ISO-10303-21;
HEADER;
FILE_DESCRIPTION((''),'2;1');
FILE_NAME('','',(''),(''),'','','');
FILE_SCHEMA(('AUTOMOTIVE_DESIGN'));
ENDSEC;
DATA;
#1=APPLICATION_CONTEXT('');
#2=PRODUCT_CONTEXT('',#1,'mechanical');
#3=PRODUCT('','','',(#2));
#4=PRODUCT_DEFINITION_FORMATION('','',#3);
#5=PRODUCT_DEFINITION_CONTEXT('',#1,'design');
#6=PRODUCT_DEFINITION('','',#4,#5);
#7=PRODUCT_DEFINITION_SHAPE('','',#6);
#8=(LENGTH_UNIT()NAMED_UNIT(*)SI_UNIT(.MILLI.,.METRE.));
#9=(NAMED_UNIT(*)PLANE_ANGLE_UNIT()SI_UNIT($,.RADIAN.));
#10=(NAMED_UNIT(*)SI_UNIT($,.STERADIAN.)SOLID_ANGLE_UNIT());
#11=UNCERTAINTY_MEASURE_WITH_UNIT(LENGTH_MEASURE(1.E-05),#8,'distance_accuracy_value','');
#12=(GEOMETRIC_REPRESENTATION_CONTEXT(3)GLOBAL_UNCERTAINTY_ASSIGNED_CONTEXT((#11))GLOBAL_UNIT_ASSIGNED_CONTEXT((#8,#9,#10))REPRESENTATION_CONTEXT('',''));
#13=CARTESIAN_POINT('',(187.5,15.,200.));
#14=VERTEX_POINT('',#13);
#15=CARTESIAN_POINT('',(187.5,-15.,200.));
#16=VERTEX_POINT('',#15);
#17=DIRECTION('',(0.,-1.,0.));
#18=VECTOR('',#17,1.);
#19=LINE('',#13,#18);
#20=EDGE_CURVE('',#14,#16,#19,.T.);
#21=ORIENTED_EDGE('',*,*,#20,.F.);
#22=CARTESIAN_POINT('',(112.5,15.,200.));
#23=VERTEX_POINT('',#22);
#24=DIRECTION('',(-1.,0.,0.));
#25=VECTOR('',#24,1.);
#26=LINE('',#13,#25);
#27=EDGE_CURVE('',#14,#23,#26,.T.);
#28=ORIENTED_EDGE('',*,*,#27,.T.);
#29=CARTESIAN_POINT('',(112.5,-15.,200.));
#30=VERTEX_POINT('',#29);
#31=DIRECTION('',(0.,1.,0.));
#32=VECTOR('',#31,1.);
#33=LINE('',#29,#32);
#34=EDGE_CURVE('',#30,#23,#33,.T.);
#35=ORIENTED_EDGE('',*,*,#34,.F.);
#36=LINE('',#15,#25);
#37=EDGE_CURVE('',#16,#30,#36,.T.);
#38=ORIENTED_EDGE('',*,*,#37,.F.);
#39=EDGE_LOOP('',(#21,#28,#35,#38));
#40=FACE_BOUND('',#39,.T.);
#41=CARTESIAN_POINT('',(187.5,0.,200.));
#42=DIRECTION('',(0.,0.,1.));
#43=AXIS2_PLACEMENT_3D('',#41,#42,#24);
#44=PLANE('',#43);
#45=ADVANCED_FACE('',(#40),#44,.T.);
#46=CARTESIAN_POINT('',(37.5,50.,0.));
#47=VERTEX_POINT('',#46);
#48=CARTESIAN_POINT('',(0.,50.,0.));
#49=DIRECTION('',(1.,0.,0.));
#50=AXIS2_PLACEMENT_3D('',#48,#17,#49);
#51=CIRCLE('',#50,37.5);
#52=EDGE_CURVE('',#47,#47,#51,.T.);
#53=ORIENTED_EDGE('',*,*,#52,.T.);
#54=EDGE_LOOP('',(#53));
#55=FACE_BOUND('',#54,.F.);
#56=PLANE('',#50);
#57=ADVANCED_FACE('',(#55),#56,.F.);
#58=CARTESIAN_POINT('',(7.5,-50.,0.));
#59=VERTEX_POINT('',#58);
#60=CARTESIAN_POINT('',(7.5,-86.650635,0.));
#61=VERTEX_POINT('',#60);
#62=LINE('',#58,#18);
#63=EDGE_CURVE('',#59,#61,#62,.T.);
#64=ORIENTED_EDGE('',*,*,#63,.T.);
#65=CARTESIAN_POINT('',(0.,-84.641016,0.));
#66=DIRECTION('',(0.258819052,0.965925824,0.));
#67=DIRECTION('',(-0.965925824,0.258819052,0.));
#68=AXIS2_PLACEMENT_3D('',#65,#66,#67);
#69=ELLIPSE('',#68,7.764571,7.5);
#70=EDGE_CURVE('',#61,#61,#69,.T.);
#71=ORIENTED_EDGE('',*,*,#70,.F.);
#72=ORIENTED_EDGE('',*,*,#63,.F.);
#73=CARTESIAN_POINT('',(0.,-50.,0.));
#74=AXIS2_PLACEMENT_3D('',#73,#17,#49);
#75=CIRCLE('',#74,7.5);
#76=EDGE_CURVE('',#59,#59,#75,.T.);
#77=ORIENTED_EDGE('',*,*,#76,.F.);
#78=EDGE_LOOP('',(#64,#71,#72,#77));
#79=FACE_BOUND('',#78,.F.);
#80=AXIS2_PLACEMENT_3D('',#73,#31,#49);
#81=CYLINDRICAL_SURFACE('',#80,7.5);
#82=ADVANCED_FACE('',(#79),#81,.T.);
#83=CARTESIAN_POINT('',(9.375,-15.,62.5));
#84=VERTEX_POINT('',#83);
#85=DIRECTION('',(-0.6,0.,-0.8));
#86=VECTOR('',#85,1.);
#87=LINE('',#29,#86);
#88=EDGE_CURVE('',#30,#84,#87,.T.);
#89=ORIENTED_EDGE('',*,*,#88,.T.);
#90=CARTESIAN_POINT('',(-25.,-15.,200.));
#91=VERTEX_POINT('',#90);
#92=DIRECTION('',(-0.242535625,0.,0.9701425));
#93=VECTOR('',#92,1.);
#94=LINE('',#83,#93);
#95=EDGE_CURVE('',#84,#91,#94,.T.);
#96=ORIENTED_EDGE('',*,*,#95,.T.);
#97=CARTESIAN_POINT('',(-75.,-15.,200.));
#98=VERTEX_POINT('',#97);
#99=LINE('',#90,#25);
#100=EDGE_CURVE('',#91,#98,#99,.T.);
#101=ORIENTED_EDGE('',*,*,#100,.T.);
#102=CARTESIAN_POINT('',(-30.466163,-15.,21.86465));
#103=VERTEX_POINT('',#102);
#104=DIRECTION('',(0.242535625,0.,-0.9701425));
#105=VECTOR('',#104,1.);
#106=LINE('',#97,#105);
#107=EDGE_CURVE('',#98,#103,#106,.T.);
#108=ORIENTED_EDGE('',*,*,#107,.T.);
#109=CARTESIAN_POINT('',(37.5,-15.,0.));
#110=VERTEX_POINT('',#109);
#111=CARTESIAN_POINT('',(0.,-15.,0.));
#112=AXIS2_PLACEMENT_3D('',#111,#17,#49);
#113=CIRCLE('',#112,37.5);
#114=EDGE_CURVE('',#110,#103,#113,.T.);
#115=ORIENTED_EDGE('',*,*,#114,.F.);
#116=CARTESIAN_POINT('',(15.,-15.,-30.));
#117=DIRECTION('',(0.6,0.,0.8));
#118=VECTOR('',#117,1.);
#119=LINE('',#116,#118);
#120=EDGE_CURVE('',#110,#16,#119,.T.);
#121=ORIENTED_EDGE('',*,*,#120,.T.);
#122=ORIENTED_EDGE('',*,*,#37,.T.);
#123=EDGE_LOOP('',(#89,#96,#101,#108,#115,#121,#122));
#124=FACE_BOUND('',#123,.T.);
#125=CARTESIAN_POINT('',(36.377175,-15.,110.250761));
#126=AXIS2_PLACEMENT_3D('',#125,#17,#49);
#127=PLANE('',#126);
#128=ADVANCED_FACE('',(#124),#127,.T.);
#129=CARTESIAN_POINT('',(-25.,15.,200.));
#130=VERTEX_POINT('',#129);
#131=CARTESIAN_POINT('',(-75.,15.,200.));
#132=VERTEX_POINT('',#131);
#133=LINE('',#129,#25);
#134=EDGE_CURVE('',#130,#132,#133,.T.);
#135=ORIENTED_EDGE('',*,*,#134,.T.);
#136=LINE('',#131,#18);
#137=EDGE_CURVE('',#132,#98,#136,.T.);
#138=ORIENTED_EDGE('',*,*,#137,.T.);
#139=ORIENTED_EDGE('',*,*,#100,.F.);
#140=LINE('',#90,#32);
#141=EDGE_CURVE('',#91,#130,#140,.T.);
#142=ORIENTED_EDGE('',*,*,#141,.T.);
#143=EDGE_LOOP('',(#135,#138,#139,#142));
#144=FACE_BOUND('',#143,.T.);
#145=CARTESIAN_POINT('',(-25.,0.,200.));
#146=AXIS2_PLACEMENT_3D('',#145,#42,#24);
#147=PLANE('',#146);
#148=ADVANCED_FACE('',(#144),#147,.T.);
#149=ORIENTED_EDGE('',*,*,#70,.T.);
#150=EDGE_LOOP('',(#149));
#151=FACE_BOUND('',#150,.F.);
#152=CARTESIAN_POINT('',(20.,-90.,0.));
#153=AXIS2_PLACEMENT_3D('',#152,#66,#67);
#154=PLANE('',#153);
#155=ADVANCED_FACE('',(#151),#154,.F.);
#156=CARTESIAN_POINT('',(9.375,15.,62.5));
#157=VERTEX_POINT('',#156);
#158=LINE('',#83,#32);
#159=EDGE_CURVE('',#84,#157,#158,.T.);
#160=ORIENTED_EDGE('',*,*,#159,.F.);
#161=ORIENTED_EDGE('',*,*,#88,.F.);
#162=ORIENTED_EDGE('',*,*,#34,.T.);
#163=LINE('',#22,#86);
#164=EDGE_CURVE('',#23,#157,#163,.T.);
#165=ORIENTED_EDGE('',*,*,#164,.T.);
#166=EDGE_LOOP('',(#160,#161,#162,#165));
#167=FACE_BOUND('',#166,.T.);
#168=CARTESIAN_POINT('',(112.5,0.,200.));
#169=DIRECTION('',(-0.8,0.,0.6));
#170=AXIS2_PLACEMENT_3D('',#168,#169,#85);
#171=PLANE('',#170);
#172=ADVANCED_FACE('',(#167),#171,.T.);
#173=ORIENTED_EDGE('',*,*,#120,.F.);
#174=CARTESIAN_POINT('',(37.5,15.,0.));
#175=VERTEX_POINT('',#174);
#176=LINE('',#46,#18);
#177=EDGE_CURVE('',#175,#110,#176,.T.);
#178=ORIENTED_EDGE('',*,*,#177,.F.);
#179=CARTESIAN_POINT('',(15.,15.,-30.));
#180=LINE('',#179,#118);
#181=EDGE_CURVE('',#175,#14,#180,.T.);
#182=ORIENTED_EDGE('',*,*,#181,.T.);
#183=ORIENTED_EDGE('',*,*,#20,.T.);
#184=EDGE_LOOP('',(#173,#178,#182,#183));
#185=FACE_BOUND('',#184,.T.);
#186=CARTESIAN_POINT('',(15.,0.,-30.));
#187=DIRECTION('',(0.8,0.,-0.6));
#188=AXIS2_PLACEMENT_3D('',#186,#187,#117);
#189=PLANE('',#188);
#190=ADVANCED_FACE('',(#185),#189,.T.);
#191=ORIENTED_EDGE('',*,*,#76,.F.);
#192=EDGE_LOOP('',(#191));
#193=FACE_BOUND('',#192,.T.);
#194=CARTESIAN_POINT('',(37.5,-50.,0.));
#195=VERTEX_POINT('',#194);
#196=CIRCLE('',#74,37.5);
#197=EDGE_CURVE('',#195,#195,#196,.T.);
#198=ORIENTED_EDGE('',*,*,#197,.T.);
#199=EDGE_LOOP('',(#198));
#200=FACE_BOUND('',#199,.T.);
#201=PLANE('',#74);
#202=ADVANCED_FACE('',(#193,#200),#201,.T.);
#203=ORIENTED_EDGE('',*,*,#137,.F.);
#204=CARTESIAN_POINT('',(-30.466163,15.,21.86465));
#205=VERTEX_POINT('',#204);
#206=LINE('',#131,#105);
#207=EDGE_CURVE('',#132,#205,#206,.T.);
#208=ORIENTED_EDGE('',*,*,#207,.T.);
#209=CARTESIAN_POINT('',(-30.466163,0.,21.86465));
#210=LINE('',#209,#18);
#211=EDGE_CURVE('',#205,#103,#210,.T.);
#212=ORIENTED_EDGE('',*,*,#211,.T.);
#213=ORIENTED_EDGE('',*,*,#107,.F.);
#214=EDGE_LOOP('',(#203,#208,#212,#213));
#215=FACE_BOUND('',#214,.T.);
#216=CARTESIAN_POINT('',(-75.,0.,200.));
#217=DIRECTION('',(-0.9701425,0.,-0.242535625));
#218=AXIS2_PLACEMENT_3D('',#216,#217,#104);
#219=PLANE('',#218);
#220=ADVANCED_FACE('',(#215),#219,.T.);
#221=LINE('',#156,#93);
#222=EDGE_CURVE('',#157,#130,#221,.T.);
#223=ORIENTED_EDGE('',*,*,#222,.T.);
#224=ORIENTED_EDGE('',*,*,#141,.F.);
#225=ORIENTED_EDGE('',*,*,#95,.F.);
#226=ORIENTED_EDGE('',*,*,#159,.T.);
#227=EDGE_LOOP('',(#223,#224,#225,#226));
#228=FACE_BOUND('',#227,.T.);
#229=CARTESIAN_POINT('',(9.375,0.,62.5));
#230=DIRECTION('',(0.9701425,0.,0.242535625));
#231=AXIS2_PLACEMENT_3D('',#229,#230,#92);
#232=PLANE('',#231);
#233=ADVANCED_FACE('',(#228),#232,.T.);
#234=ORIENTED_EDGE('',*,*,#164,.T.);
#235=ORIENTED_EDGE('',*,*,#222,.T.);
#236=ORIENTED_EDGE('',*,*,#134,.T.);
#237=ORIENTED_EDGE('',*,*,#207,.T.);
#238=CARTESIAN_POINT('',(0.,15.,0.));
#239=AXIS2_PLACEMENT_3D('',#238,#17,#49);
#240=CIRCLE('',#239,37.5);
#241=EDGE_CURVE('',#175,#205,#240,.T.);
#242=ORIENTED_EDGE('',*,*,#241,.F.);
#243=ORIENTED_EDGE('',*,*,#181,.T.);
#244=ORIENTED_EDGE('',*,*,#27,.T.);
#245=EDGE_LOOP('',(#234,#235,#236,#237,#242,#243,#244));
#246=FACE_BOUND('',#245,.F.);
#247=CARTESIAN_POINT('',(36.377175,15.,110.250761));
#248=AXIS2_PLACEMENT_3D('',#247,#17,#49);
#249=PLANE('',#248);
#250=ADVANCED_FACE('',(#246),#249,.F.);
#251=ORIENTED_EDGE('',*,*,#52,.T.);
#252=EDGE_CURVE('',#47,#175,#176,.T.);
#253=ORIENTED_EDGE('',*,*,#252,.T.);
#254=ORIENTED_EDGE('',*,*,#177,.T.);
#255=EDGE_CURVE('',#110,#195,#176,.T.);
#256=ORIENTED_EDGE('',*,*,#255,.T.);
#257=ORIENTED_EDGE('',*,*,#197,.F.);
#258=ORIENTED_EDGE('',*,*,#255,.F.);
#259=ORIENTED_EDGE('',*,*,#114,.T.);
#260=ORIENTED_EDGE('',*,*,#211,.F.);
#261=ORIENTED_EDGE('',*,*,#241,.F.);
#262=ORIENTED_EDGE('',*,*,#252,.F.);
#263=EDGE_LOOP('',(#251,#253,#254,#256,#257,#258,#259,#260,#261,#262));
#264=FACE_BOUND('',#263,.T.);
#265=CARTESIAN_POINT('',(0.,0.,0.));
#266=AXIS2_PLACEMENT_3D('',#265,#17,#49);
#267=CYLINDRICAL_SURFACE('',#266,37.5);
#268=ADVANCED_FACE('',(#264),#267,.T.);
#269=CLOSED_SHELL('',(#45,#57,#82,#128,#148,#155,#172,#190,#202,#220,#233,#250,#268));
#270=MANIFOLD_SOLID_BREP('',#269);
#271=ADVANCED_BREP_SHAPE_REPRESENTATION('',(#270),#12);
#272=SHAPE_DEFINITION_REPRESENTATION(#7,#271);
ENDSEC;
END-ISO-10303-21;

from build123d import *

# Parameters (mm, degrees)
F1_DEPTH = 15
F2_R     = 37.5
F3_DEPTH = 50
F4_R     = 7.5
F5_DEPTH = 40
F7_DEPTH = 50


with BuildPart() as f1:
    # F0 (on Front) → F1 (new body, symmetric)
    with BuildSketch(Plane.XZ):
        Polygon((-25, 200), (-75, 200), (-17.5, -30), (15, -30), (187.5, 200), (112.5, 200), (9.375, 62.5), align=None)
    extrude(amount=F1_DEPTH, both=True)

    # F2 (on Front) → F3 (join, symmetric)
    with BuildSketch(Plane.XZ):
        Circle(F2_R)
    extrude(amount=F3_DEPTH, both=True)

    # F4 (on face) → F5 (join)
    with BuildSketch(Plane.XZ.offset(50)):
        Circle(F4_R)
    extrude(amount=F5_DEPTH)

    # F6 (on Top) → F7 (cut, symmetric)
    with BuildSketch(Plane.XY):
        Polygon((-20, -79.282032), (-20, -90), (20, -90), align=None)
    extrude(amount=F7_DEPTH, both=True, mode=Mode.SUBTRACT)


solid = f1.part
